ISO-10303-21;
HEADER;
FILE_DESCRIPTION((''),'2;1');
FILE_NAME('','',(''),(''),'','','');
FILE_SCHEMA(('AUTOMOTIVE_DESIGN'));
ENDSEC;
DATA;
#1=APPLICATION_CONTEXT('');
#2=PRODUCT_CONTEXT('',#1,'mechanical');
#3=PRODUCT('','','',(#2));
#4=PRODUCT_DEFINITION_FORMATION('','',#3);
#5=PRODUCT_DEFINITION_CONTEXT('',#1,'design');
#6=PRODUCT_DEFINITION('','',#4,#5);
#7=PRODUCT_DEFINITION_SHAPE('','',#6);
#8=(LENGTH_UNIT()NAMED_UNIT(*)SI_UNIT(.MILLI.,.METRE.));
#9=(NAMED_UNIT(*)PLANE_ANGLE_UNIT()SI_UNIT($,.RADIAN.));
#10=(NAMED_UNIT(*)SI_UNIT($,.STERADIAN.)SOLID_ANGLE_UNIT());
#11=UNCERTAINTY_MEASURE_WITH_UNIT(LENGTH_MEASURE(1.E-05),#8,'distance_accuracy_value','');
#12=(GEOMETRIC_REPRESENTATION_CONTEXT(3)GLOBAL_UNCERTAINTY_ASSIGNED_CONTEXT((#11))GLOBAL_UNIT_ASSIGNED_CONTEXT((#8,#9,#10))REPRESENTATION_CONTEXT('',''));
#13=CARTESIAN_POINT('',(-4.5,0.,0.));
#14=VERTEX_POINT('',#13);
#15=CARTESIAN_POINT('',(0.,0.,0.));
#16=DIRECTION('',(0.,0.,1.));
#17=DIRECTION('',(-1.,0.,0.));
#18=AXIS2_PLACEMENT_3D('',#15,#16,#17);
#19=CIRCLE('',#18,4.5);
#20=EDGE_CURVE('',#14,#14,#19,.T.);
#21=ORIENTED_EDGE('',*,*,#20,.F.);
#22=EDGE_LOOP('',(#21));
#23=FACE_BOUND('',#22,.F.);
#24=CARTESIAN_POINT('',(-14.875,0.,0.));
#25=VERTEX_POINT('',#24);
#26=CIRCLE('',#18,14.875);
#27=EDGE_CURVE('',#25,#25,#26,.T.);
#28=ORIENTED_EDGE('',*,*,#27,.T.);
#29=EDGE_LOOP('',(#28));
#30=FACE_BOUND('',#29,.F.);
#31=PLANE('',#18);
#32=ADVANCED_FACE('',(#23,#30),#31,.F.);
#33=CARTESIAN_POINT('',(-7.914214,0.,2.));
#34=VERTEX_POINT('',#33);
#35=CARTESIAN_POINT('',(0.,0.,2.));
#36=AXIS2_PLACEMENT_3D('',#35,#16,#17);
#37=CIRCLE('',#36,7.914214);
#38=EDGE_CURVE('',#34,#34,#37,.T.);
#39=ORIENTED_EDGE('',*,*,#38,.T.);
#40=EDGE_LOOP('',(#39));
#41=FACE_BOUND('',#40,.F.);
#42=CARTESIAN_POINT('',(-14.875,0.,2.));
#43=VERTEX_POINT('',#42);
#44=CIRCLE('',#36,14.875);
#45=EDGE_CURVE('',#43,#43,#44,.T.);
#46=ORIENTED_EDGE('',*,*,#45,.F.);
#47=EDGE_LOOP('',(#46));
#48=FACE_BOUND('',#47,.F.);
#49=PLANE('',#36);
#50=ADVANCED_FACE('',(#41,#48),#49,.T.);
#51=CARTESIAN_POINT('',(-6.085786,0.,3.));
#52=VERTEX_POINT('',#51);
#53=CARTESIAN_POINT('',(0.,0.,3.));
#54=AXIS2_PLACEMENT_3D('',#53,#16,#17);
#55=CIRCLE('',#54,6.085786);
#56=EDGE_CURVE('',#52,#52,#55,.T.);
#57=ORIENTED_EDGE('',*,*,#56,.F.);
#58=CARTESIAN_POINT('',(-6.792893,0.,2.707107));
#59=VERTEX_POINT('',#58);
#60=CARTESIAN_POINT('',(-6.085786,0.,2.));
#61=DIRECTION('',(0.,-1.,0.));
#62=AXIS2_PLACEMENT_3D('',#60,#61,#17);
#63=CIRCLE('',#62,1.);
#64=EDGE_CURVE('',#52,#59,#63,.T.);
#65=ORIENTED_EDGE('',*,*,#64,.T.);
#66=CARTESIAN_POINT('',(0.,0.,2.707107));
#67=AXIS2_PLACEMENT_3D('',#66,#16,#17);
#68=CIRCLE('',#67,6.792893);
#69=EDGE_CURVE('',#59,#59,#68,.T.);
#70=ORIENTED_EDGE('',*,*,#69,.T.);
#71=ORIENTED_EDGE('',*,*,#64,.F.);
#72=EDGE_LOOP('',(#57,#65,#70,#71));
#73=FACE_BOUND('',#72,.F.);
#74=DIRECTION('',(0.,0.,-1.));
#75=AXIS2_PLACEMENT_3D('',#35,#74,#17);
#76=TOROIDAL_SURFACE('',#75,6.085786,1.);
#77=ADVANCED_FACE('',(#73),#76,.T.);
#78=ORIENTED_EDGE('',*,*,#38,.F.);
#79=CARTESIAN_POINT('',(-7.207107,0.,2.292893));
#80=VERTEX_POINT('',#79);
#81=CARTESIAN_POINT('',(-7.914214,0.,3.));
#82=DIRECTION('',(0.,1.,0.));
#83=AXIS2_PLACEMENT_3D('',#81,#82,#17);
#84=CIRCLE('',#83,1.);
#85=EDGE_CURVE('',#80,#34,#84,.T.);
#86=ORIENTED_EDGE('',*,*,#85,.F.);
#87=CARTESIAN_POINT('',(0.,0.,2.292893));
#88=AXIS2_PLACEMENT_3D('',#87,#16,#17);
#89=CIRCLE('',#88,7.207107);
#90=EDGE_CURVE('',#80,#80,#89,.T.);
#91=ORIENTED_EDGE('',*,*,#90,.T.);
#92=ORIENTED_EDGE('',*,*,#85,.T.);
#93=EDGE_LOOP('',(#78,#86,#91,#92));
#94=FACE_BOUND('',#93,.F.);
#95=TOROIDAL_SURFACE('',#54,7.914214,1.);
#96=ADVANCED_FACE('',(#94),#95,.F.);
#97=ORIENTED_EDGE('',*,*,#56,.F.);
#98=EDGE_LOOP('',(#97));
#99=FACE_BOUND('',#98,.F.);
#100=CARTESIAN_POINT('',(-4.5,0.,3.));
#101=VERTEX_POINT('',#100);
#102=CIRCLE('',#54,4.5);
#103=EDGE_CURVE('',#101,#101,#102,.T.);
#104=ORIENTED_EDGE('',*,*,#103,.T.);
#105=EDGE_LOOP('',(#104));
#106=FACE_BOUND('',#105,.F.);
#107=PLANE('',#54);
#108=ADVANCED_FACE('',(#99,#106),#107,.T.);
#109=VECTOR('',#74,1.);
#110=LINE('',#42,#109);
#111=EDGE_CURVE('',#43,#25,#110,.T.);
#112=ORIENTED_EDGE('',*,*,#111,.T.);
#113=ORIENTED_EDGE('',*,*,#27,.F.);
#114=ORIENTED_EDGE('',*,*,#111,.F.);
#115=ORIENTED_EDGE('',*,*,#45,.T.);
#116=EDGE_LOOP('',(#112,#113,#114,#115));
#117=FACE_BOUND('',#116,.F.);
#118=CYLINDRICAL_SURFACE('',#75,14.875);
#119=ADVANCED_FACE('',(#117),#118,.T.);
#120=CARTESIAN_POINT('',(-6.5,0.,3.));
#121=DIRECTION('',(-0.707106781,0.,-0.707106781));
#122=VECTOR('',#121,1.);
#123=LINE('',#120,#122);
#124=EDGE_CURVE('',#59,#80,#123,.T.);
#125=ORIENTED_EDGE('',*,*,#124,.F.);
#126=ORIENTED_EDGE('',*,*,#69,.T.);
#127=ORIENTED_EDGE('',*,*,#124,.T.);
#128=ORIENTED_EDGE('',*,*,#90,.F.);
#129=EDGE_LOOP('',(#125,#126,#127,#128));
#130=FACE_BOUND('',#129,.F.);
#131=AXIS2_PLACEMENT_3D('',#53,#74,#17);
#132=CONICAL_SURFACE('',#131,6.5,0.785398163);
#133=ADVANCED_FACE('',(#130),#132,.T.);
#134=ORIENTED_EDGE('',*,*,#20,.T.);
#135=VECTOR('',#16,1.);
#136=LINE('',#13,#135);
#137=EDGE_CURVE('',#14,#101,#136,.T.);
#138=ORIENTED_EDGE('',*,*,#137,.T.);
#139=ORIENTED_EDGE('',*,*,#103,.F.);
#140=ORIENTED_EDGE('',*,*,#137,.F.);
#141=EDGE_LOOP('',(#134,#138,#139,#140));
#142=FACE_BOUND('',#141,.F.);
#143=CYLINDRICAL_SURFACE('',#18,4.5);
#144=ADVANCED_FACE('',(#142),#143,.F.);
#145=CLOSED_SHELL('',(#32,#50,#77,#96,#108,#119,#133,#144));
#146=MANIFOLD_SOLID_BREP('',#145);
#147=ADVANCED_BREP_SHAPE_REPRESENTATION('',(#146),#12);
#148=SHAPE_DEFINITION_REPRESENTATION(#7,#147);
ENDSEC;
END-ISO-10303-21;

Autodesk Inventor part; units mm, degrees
ref_plane "YZ Plane" through (0, 0, 0) normal (1, 0, 0) x (0, 1, 0)
ref_plane "XZ Plane" through (0, 0, 0) normal (0, 1, 0) x (-1, 0, 0)
ref_plane "XY Plane" through (0, 0, 0) normal (0, 0, 1) x (1, 0, 0)
sketch "Sketch1" plane through (0, 0, 0) normal (0, 1, 0) x (-1, 0, 0)
  line L0 (4.5, 0) -> (4.5, 3)
  line L1 (4.5, 3) -> (6.5, 3)
  line L2 (6.5, 3) -> (7.5, 2)
  line L3 (7.5, 2) -> (14.875, 2)
  line L4 (14.875, 2) -> (14.875, 0)
  line L5 (14.875, 0) -> (4.5, 0)
  line L6 (0, 0) -> (0, 4.9053) construction
  dimension "d0" = 14.875
  dimension "d1" = 4.5
  dimension "d2" = 6.5
  dimension "d3" = 2
  dimension "d4" = 3
  dimension "d5" = 1
revolve "Revolution1" add sketch "Sketch1" angle 360 about axis through (0, 0, 0) along (0, 0, 1)
fillet "Fillet1" radius 1 2 edges at (7.5, 0, 2) (6.5, 0, 3)
properties part number "washer"
